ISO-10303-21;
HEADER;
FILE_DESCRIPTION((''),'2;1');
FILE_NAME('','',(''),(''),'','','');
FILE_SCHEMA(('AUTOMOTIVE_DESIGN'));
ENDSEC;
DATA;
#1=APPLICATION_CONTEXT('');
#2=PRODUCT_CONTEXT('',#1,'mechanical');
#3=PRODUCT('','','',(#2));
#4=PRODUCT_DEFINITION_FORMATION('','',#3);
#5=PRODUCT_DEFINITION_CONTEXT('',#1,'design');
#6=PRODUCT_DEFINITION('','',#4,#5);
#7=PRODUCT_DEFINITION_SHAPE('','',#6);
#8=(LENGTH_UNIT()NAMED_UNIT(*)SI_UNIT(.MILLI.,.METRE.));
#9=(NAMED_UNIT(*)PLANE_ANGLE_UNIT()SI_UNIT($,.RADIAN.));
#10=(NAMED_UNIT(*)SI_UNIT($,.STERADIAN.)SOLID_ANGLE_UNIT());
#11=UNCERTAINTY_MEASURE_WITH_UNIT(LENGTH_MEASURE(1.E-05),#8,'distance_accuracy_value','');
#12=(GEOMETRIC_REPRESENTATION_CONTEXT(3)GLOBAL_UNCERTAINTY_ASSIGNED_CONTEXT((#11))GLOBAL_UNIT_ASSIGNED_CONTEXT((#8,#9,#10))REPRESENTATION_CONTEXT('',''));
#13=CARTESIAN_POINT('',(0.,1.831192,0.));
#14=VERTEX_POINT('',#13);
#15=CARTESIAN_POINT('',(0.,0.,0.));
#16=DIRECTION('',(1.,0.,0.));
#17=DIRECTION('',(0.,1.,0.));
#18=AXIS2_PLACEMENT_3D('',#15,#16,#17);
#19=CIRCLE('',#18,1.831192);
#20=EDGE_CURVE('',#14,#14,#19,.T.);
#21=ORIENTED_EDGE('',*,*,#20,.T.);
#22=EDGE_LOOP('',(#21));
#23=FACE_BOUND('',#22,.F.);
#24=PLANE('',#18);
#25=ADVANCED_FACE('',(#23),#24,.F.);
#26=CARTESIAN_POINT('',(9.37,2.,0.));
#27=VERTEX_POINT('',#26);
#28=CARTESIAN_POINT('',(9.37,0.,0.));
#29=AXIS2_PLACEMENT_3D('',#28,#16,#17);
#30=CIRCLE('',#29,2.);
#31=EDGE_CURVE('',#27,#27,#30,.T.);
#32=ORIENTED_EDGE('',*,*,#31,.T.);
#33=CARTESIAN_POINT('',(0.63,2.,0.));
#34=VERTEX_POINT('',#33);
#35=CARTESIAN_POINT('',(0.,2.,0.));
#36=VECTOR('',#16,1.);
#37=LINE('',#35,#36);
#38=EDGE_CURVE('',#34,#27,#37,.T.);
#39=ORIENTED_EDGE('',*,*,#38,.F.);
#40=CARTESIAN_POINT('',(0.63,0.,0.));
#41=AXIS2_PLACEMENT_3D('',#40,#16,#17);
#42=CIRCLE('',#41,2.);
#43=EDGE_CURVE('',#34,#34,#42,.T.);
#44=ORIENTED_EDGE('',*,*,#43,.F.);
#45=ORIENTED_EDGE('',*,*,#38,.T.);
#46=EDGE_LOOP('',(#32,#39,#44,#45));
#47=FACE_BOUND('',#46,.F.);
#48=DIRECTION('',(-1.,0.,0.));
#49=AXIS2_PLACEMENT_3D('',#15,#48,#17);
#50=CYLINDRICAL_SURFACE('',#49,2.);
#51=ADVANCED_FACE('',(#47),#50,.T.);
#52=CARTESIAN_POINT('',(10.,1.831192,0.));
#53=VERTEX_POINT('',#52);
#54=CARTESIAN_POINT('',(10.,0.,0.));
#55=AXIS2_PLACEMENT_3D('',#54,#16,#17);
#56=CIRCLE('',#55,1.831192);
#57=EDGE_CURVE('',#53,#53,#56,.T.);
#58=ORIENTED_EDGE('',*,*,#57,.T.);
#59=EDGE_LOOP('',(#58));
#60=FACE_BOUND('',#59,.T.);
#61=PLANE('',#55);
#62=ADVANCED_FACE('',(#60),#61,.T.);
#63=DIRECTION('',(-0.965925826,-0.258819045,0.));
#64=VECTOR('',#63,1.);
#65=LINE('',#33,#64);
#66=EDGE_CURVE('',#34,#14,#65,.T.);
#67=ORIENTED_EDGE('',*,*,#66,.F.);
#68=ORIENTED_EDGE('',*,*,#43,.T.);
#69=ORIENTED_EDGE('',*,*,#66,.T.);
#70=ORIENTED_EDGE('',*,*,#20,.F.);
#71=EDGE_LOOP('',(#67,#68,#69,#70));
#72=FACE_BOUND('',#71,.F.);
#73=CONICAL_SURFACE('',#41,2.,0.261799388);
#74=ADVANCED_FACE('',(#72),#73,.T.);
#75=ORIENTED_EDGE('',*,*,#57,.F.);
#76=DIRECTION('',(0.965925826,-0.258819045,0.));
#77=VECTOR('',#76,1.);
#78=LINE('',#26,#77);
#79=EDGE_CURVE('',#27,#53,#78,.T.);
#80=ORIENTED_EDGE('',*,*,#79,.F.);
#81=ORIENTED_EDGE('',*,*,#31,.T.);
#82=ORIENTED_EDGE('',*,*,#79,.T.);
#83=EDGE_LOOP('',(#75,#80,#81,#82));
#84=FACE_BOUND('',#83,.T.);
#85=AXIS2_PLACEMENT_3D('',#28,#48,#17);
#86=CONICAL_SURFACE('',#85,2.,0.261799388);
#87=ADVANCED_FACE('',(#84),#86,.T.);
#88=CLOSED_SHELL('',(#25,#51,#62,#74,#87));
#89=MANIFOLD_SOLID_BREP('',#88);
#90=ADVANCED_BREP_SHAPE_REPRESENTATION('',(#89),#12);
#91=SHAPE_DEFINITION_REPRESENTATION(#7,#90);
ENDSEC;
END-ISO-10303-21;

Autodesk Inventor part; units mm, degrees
ref_plane "YZ Plane" through (0, 0, 0) normal (1, 0, 0) x (0, 1, 0)
ref_plane "XZ Plane" through (0, 0, 0) normal (0, 1, 0) x (-1, 0, 0)
ref_plane "XY Plane" through (0, 0, 0) normal (0, 0, 1) x (1, 0, 0)
sketch "Skizze" plane through (0, 0, 0) normal (1, 0, 0) x (0, 1, 0)
  circle A0 centre (0, 0) radius 2
  dimension "d1" = 4
extrude "Körper" add sketch "Skizze" along normal blind 10
chamfer "Fase1" distance 0.63 angle 15 1 edges at (0, -2, 0) measured on face at (6.6667, 1.9741, -0.3208)
chamfer "Fase2" distance 0.63 angle 15 1 edges at (10, -2, 0) measured on face at (6.8767, 1.9741, -0.3208)
equation "\"d1\" = NND"
equation "\"d2\" = NLG"
equation "\"d4\" = PHH"
equation "\"d5\" = FAWI"
equation "\"d11\" = PHH"
equation "\"d8\" = PHH"
equation "\"d9\" = FAWI"
equation "\"d12\" = PHH"
equation "\"NND\" = 4"
equation "\"NLG\" = 10"
equation "\"PHH\" = 0.63"
equation "\"FAWI\" = 15deg"
equation "\"KAH\" = 0"
properties part number "ISO 2338 - 4 m6 x 10" material "Edelstahl, austenitisch"
